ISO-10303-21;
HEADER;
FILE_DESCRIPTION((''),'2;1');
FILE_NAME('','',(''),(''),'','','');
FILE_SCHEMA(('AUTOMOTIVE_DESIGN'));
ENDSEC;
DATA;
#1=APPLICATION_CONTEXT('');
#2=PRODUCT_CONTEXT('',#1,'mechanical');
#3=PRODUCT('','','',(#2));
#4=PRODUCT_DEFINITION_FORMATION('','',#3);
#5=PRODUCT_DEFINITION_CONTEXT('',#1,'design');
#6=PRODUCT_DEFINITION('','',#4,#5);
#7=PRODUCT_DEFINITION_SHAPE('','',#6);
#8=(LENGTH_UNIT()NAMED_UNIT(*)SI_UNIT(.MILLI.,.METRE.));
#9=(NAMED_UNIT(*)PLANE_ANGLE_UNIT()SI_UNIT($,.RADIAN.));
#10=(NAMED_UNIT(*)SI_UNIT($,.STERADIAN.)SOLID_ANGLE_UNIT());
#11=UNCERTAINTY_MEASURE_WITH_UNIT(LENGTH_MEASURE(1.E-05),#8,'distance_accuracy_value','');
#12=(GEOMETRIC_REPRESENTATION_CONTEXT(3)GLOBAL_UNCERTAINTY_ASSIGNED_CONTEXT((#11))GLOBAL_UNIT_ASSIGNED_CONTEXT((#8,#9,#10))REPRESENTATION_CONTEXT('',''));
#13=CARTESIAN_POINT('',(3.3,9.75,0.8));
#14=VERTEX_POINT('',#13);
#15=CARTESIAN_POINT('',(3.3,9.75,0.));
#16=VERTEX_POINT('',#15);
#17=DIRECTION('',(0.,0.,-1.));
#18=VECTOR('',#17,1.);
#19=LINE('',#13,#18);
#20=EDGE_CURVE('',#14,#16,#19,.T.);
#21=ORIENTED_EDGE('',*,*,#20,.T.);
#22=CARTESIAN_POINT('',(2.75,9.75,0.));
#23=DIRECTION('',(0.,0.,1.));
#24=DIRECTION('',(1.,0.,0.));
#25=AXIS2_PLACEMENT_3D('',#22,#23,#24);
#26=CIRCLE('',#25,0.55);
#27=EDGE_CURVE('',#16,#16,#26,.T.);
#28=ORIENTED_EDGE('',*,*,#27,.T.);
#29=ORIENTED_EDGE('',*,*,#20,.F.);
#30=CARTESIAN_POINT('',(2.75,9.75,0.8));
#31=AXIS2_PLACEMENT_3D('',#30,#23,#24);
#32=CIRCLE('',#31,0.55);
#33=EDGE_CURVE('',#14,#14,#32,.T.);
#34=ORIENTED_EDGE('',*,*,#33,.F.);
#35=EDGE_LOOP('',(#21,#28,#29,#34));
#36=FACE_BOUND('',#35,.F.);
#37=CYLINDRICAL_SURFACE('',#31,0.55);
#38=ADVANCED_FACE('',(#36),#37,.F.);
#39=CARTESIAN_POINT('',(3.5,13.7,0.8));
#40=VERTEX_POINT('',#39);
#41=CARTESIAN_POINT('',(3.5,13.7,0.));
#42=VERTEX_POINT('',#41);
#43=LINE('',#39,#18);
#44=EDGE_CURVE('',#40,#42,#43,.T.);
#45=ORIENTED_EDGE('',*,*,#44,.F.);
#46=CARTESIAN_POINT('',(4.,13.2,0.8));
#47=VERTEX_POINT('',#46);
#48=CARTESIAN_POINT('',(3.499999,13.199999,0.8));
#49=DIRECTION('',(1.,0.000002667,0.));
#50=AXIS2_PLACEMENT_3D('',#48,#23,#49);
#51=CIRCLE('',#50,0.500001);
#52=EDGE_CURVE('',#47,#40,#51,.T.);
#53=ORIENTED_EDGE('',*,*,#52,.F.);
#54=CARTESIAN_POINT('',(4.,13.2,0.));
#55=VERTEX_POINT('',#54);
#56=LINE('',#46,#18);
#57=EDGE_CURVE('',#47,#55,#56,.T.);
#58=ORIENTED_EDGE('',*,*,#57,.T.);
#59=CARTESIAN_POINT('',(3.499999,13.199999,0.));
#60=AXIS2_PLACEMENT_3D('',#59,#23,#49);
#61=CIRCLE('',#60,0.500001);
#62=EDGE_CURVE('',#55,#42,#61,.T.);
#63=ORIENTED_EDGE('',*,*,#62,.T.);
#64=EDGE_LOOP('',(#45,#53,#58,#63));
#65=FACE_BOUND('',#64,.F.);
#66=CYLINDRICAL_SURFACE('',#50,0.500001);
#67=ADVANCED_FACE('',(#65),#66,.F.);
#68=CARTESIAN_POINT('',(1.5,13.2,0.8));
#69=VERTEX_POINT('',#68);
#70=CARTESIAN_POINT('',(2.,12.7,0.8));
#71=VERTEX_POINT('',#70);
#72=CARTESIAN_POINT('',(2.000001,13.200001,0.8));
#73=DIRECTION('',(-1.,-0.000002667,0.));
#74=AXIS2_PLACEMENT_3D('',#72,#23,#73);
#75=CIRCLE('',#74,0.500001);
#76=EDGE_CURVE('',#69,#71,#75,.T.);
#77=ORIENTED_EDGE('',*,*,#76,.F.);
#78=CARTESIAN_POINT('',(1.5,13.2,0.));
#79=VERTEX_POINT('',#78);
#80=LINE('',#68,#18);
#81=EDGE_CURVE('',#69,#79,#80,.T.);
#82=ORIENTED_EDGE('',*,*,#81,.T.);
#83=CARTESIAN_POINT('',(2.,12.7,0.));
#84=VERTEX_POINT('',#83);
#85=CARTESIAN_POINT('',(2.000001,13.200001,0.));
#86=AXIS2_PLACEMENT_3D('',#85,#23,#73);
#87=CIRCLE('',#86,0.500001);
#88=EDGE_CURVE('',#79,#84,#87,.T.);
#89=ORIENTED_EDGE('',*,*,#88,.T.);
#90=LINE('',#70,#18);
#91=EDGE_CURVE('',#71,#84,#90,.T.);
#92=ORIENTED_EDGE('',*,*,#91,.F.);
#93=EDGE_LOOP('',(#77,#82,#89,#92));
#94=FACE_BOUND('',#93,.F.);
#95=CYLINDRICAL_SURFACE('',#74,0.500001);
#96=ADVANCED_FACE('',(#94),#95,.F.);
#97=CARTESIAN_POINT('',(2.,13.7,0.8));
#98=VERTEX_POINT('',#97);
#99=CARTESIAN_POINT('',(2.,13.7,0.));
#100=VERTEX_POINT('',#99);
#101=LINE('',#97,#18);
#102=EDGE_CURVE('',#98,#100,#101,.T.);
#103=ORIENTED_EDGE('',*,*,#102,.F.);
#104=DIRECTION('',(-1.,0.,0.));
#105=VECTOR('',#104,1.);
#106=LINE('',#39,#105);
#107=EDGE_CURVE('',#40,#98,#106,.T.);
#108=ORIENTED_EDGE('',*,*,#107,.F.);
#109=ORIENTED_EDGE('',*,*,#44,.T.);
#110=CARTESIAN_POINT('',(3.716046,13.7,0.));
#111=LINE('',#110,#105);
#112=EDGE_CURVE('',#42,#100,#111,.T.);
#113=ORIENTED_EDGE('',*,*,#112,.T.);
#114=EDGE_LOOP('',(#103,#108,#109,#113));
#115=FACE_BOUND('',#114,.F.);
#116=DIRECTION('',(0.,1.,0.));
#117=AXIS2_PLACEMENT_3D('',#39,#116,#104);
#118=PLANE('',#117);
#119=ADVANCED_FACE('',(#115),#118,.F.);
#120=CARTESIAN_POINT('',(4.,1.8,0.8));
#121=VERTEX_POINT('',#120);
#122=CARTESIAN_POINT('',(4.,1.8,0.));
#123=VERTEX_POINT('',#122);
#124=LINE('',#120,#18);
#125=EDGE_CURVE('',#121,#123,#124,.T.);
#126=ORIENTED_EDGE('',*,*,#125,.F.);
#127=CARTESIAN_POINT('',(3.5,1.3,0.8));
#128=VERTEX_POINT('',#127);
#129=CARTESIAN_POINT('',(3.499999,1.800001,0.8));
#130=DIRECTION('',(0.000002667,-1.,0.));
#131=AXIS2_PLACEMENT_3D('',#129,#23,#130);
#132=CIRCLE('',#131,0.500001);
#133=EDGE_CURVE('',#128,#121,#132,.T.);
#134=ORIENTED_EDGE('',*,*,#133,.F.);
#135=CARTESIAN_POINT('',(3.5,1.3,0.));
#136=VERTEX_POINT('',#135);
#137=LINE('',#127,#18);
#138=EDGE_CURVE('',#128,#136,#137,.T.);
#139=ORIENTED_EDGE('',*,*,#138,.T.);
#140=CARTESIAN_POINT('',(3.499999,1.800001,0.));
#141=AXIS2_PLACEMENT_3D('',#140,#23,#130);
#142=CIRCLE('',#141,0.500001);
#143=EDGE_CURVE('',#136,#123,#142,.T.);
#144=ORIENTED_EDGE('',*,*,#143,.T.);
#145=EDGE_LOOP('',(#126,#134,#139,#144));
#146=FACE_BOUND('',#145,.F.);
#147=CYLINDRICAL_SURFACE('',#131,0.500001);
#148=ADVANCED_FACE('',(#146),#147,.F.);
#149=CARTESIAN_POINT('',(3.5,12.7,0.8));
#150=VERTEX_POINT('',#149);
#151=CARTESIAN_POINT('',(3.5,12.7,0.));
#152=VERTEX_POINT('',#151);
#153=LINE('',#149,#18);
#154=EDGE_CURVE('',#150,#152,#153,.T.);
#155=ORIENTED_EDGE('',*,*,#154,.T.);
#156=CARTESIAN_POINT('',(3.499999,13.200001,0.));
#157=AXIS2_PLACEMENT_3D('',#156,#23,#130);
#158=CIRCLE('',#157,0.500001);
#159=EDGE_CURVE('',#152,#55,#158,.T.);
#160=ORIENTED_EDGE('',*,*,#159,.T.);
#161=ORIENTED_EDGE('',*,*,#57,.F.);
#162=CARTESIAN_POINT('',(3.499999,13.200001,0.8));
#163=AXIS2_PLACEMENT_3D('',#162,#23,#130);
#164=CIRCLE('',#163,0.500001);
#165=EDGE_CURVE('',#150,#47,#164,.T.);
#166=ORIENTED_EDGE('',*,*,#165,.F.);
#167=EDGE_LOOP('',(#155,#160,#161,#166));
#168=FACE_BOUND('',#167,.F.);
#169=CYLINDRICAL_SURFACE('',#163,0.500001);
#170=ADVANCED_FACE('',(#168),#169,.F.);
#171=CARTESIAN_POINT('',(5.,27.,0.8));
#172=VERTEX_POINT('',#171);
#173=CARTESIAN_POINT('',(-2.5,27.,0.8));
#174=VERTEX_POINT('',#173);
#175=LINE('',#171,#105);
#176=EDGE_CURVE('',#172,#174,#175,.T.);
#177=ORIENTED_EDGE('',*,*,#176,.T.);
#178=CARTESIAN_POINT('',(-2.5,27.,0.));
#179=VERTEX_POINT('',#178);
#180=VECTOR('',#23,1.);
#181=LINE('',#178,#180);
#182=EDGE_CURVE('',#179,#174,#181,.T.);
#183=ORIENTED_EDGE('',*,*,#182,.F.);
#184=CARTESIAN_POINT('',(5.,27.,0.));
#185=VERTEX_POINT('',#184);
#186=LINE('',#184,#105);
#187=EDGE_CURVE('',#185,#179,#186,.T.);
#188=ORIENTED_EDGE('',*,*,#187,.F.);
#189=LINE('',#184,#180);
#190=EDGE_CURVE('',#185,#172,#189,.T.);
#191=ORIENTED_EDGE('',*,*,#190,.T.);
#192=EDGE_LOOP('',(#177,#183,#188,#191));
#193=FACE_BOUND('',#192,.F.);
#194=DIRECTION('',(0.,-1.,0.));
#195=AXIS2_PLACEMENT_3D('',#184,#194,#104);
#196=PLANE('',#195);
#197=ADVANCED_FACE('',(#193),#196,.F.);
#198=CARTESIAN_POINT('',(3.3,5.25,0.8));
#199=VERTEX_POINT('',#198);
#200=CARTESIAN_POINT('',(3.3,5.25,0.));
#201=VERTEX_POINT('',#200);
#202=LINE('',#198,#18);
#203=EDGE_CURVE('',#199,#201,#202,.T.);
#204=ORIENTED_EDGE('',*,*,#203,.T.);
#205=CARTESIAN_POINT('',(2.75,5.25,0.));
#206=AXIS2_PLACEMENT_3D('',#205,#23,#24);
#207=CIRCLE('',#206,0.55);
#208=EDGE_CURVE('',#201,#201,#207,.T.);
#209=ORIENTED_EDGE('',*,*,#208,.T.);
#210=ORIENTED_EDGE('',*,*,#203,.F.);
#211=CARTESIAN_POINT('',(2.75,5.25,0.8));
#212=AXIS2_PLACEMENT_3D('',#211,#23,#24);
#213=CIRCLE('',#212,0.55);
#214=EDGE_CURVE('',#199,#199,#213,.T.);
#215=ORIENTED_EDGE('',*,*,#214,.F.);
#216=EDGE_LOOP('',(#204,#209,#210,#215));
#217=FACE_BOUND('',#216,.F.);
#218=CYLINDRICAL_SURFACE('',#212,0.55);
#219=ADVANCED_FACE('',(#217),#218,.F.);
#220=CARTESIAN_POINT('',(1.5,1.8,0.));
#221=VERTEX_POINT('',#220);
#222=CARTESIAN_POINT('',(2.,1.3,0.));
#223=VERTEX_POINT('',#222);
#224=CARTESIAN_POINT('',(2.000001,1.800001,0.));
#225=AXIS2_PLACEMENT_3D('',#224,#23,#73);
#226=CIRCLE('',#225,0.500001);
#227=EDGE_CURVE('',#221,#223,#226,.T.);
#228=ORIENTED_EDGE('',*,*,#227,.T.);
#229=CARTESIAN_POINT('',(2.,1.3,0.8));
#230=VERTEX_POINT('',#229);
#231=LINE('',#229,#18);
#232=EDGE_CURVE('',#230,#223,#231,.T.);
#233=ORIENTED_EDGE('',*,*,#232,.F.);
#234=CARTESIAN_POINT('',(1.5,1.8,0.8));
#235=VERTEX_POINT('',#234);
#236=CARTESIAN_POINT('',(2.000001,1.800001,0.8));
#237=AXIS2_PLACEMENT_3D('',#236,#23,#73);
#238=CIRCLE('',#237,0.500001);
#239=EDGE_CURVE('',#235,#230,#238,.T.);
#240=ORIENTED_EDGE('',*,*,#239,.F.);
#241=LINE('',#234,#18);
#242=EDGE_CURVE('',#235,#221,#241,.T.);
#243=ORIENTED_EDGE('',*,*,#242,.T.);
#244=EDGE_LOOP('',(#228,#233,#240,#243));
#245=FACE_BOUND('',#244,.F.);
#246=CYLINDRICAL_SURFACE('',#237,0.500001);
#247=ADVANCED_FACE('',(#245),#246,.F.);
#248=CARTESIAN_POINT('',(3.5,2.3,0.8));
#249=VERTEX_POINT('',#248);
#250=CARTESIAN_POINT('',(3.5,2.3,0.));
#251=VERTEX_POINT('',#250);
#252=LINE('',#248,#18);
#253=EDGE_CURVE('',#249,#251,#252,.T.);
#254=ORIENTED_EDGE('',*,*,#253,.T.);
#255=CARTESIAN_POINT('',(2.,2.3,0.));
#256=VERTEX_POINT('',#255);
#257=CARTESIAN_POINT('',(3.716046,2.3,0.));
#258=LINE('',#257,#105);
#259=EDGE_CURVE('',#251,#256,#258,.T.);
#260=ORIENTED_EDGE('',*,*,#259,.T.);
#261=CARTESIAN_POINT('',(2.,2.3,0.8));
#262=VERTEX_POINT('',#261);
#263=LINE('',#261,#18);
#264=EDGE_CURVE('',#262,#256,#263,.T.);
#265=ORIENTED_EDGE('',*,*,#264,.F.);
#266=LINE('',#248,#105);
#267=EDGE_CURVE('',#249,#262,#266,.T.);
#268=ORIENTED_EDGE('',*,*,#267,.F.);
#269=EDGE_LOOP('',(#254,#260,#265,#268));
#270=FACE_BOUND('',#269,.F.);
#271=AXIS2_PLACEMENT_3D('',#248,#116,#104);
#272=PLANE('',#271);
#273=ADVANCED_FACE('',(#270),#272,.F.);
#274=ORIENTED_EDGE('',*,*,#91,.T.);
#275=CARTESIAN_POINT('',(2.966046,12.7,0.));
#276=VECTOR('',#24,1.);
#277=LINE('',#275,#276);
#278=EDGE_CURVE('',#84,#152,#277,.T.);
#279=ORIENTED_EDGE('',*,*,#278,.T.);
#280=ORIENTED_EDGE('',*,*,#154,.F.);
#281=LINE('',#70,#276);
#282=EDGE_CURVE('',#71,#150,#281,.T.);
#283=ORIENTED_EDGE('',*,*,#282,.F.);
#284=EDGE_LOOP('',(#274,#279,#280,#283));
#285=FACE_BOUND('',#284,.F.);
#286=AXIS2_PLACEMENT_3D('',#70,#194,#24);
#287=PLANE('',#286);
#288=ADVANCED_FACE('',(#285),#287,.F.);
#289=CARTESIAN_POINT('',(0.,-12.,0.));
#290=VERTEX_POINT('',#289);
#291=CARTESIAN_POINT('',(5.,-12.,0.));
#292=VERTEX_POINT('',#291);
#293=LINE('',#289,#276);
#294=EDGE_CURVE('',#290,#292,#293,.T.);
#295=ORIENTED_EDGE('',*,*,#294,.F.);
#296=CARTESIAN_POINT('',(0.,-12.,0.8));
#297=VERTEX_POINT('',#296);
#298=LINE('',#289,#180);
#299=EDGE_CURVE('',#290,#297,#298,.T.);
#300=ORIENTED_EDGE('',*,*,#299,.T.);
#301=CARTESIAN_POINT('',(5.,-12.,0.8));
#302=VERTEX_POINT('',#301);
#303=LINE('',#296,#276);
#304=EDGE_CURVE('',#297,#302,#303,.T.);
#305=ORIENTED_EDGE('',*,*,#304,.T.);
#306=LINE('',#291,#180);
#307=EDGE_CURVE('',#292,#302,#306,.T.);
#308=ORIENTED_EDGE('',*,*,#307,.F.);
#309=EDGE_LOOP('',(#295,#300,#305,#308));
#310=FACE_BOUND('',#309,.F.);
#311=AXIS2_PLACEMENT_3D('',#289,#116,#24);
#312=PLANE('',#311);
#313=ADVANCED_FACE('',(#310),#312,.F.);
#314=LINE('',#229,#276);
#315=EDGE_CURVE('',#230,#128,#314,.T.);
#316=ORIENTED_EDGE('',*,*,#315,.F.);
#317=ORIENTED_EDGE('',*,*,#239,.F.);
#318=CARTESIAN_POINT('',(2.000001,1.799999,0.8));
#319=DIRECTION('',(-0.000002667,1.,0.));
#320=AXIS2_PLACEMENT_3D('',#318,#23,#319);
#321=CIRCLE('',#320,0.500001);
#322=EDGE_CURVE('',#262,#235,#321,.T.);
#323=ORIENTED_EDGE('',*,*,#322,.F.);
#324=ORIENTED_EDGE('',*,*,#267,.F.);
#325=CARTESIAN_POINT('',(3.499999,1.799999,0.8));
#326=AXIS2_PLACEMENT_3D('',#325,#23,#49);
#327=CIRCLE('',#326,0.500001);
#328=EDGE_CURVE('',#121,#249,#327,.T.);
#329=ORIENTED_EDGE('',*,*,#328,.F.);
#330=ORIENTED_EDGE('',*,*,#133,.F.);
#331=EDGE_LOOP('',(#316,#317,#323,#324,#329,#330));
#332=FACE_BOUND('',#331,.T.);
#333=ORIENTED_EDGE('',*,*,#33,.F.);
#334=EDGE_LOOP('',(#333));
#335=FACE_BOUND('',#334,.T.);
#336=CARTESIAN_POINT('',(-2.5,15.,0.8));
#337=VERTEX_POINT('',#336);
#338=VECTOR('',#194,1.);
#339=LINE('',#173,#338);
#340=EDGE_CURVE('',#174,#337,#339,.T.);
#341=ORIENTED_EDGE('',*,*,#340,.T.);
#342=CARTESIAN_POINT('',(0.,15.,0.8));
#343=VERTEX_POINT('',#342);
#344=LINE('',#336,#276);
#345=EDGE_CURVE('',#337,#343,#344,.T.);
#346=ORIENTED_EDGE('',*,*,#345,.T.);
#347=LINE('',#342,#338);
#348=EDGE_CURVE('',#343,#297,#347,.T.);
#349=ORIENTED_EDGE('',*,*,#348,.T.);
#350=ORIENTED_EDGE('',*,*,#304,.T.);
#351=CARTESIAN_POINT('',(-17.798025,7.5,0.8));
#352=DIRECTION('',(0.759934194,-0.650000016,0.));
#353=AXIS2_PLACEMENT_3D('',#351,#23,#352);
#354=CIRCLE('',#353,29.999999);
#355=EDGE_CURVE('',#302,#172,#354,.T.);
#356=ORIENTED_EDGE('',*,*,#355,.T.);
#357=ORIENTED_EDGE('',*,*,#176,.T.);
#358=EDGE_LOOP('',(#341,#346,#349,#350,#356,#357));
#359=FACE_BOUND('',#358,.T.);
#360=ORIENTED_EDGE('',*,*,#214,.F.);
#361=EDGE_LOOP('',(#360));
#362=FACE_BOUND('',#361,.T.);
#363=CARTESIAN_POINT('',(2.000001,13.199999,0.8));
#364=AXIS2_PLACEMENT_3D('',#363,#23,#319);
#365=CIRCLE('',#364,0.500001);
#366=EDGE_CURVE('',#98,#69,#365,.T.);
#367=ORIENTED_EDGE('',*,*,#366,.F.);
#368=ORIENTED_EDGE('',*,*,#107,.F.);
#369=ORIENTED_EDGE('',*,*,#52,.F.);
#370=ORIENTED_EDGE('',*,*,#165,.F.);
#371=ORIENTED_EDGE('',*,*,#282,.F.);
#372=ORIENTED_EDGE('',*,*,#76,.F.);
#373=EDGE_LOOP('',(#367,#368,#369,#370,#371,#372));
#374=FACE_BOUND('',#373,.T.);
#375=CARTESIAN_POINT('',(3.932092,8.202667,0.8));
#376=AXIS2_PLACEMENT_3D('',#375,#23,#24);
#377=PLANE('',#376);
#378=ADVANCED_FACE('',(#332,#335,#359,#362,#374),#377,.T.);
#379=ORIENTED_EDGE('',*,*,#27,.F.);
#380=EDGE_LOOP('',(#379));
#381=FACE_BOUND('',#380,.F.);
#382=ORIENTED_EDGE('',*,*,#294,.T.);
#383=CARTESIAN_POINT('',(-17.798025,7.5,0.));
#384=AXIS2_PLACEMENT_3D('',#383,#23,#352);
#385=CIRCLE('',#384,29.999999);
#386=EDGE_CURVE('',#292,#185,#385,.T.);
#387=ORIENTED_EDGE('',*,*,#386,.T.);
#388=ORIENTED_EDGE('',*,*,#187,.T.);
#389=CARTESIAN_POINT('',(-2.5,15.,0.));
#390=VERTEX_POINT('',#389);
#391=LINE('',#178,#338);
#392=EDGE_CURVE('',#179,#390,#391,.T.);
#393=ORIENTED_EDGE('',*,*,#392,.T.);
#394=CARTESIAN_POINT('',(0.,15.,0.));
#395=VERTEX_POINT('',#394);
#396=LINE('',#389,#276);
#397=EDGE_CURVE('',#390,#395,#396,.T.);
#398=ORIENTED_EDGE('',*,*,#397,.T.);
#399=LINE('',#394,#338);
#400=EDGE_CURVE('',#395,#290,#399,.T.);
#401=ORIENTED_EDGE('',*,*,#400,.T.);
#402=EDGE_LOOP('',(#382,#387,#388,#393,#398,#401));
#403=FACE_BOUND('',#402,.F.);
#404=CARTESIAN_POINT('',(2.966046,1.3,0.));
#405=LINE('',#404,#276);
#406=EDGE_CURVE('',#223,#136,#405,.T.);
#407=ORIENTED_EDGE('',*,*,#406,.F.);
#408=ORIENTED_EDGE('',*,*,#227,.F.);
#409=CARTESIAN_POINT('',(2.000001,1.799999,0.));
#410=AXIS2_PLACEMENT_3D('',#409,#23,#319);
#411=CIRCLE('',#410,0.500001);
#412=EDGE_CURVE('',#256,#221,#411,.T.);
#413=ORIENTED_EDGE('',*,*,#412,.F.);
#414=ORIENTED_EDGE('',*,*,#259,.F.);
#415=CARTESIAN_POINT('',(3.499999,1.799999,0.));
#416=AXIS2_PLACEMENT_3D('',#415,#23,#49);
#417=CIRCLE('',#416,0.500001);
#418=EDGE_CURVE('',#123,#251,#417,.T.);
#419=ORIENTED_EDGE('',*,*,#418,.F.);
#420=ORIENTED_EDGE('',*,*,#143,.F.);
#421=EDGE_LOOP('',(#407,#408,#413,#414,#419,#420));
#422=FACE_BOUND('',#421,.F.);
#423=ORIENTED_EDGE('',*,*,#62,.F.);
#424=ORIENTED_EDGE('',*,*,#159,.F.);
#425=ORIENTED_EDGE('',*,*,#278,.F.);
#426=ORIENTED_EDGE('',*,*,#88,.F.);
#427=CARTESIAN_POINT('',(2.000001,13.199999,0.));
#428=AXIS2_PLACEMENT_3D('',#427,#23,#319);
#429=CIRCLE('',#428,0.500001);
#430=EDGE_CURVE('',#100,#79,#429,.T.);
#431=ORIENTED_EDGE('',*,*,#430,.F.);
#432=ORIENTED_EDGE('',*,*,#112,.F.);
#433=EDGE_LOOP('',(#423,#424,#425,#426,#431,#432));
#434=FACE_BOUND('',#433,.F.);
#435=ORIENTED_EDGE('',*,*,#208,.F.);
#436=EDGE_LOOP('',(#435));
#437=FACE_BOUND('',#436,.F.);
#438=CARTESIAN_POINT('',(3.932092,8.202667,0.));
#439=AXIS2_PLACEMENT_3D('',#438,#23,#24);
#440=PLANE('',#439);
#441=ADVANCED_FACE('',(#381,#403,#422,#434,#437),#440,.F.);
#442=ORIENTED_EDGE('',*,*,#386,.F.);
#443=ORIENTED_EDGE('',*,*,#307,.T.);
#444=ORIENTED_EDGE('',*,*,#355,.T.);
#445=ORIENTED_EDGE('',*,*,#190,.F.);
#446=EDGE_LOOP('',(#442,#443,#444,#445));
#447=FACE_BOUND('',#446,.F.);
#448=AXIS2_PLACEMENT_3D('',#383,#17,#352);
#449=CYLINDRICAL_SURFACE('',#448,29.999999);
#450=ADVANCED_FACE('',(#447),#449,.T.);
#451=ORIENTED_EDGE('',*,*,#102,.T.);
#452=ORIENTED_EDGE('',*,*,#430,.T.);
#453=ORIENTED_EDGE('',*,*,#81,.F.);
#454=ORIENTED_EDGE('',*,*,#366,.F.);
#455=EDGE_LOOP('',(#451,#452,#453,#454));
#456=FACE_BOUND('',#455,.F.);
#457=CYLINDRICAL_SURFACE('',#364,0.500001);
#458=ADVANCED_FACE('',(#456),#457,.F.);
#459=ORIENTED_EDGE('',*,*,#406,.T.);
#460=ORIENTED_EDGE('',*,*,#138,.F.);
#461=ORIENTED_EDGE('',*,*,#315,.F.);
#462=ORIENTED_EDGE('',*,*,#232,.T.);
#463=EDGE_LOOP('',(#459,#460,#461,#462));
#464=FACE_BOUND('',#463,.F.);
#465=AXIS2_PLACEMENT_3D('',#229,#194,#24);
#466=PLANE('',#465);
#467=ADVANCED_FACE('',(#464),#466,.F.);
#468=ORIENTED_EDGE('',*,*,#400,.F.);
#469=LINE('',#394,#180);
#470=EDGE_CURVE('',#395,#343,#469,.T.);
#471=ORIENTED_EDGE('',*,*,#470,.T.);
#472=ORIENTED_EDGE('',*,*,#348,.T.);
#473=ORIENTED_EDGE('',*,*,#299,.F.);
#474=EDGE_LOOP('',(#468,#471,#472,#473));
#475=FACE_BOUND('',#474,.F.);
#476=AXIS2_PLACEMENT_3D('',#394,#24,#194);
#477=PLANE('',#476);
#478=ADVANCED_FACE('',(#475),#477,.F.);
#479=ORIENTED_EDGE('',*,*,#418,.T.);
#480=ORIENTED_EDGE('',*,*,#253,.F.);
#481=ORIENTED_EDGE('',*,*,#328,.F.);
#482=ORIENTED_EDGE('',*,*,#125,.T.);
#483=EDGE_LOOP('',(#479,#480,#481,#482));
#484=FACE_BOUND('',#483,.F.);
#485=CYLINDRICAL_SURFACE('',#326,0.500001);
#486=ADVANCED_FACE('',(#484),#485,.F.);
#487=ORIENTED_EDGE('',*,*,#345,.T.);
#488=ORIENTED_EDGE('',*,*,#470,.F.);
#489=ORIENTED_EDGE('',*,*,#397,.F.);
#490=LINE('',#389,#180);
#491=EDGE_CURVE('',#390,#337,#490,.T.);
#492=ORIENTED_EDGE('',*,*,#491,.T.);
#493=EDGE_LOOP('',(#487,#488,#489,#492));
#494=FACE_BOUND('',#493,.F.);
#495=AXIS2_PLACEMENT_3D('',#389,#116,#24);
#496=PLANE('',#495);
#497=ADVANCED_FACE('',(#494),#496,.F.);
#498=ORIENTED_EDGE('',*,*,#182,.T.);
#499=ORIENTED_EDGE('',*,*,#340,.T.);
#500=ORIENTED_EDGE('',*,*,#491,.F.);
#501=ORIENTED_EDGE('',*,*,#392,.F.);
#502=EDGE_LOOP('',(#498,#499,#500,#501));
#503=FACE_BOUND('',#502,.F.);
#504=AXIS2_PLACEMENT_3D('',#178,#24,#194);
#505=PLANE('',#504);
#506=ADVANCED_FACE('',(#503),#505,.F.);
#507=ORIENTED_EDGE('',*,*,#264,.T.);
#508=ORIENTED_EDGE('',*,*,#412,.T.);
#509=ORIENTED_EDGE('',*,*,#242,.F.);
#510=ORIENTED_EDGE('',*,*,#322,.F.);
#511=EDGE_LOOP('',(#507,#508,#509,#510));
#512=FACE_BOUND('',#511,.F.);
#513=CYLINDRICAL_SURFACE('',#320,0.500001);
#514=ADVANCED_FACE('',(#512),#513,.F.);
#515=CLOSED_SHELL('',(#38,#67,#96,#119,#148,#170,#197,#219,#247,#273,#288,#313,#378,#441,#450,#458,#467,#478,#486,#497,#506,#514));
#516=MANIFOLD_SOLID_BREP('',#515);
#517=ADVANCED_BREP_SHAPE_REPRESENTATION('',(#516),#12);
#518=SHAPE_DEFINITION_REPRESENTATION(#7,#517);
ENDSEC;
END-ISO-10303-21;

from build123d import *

# Parameters (mm, degrees)
F1_DEPTH = 0.8
F2_R     = 0.55
F3_DEPTH = 1


with BuildPart() as f1:
    # F0 (on Top) → F1 (new body)
    with BuildSketch(Plane.XY):
        with BuildLine():
            Line((5, 27), (-2.5, 27))
            Line((-2.5, 27), (-2.5, 15))
            Line((-2.5, 15), (0, 15))
            Line((0, 15), (0, 0))
            Line((0, 0), (0, -12))
            Line((0, -12), (5, -12))
            ThreePointArc((5, -12), (12.201974, 7.5), (5, 27))
        make_face()
    extrude(amount=F1_DEPTH)

    # F2 (on face) → F3 (cut)
    with BuildSketch(Plane.XY.offset(0.8)):
        with Locations((2.75, 9.75)):
            Circle(F2_R)
        with Locations((2.75, 5.25)):
            Circle(F2_R)
        with BuildLine():
            ThreePointArc((4, 13.2), (3.853553, 13.553553), (3.5, 13.7))
            Line((3.5, 13.7), (2, 13.7))
            ThreePointArc((2, 13.7), (1.646447, 13.553553), (1.5, 13.2))
            ThreePointArc((1.5, 13.2), (1.646447, 12.846447), (2, 12.7))
            Line((2, 12.7), (3.5, 12.7))
            ThreePointArc((3.5, 12.7), (3.853553, 12.846447), (4, 13.2))
        make_face()
        with BuildLine():
            ThreePointArc((4, 1.8), (3.853553, 2.153553), (3.5, 2.3))
            Line((3.5, 2.3), (2, 2.3))
            ThreePointArc((2, 2.3), (1.646447, 2.153553), (1.5, 1.8))
            ThreePointArc((1.5, 1.8), (1.646447, 1.446447), (2, 1.3))
            Line((2, 1.3), (3.5, 1.3))
            ThreePointArc((3.5, 1.3), (3.853553, 1.446447), (4, 1.8))
        make_face()
    extrude(amount=-F3_DEPTH, mode=Mode.SUBTRACT)


solid = f1.part
